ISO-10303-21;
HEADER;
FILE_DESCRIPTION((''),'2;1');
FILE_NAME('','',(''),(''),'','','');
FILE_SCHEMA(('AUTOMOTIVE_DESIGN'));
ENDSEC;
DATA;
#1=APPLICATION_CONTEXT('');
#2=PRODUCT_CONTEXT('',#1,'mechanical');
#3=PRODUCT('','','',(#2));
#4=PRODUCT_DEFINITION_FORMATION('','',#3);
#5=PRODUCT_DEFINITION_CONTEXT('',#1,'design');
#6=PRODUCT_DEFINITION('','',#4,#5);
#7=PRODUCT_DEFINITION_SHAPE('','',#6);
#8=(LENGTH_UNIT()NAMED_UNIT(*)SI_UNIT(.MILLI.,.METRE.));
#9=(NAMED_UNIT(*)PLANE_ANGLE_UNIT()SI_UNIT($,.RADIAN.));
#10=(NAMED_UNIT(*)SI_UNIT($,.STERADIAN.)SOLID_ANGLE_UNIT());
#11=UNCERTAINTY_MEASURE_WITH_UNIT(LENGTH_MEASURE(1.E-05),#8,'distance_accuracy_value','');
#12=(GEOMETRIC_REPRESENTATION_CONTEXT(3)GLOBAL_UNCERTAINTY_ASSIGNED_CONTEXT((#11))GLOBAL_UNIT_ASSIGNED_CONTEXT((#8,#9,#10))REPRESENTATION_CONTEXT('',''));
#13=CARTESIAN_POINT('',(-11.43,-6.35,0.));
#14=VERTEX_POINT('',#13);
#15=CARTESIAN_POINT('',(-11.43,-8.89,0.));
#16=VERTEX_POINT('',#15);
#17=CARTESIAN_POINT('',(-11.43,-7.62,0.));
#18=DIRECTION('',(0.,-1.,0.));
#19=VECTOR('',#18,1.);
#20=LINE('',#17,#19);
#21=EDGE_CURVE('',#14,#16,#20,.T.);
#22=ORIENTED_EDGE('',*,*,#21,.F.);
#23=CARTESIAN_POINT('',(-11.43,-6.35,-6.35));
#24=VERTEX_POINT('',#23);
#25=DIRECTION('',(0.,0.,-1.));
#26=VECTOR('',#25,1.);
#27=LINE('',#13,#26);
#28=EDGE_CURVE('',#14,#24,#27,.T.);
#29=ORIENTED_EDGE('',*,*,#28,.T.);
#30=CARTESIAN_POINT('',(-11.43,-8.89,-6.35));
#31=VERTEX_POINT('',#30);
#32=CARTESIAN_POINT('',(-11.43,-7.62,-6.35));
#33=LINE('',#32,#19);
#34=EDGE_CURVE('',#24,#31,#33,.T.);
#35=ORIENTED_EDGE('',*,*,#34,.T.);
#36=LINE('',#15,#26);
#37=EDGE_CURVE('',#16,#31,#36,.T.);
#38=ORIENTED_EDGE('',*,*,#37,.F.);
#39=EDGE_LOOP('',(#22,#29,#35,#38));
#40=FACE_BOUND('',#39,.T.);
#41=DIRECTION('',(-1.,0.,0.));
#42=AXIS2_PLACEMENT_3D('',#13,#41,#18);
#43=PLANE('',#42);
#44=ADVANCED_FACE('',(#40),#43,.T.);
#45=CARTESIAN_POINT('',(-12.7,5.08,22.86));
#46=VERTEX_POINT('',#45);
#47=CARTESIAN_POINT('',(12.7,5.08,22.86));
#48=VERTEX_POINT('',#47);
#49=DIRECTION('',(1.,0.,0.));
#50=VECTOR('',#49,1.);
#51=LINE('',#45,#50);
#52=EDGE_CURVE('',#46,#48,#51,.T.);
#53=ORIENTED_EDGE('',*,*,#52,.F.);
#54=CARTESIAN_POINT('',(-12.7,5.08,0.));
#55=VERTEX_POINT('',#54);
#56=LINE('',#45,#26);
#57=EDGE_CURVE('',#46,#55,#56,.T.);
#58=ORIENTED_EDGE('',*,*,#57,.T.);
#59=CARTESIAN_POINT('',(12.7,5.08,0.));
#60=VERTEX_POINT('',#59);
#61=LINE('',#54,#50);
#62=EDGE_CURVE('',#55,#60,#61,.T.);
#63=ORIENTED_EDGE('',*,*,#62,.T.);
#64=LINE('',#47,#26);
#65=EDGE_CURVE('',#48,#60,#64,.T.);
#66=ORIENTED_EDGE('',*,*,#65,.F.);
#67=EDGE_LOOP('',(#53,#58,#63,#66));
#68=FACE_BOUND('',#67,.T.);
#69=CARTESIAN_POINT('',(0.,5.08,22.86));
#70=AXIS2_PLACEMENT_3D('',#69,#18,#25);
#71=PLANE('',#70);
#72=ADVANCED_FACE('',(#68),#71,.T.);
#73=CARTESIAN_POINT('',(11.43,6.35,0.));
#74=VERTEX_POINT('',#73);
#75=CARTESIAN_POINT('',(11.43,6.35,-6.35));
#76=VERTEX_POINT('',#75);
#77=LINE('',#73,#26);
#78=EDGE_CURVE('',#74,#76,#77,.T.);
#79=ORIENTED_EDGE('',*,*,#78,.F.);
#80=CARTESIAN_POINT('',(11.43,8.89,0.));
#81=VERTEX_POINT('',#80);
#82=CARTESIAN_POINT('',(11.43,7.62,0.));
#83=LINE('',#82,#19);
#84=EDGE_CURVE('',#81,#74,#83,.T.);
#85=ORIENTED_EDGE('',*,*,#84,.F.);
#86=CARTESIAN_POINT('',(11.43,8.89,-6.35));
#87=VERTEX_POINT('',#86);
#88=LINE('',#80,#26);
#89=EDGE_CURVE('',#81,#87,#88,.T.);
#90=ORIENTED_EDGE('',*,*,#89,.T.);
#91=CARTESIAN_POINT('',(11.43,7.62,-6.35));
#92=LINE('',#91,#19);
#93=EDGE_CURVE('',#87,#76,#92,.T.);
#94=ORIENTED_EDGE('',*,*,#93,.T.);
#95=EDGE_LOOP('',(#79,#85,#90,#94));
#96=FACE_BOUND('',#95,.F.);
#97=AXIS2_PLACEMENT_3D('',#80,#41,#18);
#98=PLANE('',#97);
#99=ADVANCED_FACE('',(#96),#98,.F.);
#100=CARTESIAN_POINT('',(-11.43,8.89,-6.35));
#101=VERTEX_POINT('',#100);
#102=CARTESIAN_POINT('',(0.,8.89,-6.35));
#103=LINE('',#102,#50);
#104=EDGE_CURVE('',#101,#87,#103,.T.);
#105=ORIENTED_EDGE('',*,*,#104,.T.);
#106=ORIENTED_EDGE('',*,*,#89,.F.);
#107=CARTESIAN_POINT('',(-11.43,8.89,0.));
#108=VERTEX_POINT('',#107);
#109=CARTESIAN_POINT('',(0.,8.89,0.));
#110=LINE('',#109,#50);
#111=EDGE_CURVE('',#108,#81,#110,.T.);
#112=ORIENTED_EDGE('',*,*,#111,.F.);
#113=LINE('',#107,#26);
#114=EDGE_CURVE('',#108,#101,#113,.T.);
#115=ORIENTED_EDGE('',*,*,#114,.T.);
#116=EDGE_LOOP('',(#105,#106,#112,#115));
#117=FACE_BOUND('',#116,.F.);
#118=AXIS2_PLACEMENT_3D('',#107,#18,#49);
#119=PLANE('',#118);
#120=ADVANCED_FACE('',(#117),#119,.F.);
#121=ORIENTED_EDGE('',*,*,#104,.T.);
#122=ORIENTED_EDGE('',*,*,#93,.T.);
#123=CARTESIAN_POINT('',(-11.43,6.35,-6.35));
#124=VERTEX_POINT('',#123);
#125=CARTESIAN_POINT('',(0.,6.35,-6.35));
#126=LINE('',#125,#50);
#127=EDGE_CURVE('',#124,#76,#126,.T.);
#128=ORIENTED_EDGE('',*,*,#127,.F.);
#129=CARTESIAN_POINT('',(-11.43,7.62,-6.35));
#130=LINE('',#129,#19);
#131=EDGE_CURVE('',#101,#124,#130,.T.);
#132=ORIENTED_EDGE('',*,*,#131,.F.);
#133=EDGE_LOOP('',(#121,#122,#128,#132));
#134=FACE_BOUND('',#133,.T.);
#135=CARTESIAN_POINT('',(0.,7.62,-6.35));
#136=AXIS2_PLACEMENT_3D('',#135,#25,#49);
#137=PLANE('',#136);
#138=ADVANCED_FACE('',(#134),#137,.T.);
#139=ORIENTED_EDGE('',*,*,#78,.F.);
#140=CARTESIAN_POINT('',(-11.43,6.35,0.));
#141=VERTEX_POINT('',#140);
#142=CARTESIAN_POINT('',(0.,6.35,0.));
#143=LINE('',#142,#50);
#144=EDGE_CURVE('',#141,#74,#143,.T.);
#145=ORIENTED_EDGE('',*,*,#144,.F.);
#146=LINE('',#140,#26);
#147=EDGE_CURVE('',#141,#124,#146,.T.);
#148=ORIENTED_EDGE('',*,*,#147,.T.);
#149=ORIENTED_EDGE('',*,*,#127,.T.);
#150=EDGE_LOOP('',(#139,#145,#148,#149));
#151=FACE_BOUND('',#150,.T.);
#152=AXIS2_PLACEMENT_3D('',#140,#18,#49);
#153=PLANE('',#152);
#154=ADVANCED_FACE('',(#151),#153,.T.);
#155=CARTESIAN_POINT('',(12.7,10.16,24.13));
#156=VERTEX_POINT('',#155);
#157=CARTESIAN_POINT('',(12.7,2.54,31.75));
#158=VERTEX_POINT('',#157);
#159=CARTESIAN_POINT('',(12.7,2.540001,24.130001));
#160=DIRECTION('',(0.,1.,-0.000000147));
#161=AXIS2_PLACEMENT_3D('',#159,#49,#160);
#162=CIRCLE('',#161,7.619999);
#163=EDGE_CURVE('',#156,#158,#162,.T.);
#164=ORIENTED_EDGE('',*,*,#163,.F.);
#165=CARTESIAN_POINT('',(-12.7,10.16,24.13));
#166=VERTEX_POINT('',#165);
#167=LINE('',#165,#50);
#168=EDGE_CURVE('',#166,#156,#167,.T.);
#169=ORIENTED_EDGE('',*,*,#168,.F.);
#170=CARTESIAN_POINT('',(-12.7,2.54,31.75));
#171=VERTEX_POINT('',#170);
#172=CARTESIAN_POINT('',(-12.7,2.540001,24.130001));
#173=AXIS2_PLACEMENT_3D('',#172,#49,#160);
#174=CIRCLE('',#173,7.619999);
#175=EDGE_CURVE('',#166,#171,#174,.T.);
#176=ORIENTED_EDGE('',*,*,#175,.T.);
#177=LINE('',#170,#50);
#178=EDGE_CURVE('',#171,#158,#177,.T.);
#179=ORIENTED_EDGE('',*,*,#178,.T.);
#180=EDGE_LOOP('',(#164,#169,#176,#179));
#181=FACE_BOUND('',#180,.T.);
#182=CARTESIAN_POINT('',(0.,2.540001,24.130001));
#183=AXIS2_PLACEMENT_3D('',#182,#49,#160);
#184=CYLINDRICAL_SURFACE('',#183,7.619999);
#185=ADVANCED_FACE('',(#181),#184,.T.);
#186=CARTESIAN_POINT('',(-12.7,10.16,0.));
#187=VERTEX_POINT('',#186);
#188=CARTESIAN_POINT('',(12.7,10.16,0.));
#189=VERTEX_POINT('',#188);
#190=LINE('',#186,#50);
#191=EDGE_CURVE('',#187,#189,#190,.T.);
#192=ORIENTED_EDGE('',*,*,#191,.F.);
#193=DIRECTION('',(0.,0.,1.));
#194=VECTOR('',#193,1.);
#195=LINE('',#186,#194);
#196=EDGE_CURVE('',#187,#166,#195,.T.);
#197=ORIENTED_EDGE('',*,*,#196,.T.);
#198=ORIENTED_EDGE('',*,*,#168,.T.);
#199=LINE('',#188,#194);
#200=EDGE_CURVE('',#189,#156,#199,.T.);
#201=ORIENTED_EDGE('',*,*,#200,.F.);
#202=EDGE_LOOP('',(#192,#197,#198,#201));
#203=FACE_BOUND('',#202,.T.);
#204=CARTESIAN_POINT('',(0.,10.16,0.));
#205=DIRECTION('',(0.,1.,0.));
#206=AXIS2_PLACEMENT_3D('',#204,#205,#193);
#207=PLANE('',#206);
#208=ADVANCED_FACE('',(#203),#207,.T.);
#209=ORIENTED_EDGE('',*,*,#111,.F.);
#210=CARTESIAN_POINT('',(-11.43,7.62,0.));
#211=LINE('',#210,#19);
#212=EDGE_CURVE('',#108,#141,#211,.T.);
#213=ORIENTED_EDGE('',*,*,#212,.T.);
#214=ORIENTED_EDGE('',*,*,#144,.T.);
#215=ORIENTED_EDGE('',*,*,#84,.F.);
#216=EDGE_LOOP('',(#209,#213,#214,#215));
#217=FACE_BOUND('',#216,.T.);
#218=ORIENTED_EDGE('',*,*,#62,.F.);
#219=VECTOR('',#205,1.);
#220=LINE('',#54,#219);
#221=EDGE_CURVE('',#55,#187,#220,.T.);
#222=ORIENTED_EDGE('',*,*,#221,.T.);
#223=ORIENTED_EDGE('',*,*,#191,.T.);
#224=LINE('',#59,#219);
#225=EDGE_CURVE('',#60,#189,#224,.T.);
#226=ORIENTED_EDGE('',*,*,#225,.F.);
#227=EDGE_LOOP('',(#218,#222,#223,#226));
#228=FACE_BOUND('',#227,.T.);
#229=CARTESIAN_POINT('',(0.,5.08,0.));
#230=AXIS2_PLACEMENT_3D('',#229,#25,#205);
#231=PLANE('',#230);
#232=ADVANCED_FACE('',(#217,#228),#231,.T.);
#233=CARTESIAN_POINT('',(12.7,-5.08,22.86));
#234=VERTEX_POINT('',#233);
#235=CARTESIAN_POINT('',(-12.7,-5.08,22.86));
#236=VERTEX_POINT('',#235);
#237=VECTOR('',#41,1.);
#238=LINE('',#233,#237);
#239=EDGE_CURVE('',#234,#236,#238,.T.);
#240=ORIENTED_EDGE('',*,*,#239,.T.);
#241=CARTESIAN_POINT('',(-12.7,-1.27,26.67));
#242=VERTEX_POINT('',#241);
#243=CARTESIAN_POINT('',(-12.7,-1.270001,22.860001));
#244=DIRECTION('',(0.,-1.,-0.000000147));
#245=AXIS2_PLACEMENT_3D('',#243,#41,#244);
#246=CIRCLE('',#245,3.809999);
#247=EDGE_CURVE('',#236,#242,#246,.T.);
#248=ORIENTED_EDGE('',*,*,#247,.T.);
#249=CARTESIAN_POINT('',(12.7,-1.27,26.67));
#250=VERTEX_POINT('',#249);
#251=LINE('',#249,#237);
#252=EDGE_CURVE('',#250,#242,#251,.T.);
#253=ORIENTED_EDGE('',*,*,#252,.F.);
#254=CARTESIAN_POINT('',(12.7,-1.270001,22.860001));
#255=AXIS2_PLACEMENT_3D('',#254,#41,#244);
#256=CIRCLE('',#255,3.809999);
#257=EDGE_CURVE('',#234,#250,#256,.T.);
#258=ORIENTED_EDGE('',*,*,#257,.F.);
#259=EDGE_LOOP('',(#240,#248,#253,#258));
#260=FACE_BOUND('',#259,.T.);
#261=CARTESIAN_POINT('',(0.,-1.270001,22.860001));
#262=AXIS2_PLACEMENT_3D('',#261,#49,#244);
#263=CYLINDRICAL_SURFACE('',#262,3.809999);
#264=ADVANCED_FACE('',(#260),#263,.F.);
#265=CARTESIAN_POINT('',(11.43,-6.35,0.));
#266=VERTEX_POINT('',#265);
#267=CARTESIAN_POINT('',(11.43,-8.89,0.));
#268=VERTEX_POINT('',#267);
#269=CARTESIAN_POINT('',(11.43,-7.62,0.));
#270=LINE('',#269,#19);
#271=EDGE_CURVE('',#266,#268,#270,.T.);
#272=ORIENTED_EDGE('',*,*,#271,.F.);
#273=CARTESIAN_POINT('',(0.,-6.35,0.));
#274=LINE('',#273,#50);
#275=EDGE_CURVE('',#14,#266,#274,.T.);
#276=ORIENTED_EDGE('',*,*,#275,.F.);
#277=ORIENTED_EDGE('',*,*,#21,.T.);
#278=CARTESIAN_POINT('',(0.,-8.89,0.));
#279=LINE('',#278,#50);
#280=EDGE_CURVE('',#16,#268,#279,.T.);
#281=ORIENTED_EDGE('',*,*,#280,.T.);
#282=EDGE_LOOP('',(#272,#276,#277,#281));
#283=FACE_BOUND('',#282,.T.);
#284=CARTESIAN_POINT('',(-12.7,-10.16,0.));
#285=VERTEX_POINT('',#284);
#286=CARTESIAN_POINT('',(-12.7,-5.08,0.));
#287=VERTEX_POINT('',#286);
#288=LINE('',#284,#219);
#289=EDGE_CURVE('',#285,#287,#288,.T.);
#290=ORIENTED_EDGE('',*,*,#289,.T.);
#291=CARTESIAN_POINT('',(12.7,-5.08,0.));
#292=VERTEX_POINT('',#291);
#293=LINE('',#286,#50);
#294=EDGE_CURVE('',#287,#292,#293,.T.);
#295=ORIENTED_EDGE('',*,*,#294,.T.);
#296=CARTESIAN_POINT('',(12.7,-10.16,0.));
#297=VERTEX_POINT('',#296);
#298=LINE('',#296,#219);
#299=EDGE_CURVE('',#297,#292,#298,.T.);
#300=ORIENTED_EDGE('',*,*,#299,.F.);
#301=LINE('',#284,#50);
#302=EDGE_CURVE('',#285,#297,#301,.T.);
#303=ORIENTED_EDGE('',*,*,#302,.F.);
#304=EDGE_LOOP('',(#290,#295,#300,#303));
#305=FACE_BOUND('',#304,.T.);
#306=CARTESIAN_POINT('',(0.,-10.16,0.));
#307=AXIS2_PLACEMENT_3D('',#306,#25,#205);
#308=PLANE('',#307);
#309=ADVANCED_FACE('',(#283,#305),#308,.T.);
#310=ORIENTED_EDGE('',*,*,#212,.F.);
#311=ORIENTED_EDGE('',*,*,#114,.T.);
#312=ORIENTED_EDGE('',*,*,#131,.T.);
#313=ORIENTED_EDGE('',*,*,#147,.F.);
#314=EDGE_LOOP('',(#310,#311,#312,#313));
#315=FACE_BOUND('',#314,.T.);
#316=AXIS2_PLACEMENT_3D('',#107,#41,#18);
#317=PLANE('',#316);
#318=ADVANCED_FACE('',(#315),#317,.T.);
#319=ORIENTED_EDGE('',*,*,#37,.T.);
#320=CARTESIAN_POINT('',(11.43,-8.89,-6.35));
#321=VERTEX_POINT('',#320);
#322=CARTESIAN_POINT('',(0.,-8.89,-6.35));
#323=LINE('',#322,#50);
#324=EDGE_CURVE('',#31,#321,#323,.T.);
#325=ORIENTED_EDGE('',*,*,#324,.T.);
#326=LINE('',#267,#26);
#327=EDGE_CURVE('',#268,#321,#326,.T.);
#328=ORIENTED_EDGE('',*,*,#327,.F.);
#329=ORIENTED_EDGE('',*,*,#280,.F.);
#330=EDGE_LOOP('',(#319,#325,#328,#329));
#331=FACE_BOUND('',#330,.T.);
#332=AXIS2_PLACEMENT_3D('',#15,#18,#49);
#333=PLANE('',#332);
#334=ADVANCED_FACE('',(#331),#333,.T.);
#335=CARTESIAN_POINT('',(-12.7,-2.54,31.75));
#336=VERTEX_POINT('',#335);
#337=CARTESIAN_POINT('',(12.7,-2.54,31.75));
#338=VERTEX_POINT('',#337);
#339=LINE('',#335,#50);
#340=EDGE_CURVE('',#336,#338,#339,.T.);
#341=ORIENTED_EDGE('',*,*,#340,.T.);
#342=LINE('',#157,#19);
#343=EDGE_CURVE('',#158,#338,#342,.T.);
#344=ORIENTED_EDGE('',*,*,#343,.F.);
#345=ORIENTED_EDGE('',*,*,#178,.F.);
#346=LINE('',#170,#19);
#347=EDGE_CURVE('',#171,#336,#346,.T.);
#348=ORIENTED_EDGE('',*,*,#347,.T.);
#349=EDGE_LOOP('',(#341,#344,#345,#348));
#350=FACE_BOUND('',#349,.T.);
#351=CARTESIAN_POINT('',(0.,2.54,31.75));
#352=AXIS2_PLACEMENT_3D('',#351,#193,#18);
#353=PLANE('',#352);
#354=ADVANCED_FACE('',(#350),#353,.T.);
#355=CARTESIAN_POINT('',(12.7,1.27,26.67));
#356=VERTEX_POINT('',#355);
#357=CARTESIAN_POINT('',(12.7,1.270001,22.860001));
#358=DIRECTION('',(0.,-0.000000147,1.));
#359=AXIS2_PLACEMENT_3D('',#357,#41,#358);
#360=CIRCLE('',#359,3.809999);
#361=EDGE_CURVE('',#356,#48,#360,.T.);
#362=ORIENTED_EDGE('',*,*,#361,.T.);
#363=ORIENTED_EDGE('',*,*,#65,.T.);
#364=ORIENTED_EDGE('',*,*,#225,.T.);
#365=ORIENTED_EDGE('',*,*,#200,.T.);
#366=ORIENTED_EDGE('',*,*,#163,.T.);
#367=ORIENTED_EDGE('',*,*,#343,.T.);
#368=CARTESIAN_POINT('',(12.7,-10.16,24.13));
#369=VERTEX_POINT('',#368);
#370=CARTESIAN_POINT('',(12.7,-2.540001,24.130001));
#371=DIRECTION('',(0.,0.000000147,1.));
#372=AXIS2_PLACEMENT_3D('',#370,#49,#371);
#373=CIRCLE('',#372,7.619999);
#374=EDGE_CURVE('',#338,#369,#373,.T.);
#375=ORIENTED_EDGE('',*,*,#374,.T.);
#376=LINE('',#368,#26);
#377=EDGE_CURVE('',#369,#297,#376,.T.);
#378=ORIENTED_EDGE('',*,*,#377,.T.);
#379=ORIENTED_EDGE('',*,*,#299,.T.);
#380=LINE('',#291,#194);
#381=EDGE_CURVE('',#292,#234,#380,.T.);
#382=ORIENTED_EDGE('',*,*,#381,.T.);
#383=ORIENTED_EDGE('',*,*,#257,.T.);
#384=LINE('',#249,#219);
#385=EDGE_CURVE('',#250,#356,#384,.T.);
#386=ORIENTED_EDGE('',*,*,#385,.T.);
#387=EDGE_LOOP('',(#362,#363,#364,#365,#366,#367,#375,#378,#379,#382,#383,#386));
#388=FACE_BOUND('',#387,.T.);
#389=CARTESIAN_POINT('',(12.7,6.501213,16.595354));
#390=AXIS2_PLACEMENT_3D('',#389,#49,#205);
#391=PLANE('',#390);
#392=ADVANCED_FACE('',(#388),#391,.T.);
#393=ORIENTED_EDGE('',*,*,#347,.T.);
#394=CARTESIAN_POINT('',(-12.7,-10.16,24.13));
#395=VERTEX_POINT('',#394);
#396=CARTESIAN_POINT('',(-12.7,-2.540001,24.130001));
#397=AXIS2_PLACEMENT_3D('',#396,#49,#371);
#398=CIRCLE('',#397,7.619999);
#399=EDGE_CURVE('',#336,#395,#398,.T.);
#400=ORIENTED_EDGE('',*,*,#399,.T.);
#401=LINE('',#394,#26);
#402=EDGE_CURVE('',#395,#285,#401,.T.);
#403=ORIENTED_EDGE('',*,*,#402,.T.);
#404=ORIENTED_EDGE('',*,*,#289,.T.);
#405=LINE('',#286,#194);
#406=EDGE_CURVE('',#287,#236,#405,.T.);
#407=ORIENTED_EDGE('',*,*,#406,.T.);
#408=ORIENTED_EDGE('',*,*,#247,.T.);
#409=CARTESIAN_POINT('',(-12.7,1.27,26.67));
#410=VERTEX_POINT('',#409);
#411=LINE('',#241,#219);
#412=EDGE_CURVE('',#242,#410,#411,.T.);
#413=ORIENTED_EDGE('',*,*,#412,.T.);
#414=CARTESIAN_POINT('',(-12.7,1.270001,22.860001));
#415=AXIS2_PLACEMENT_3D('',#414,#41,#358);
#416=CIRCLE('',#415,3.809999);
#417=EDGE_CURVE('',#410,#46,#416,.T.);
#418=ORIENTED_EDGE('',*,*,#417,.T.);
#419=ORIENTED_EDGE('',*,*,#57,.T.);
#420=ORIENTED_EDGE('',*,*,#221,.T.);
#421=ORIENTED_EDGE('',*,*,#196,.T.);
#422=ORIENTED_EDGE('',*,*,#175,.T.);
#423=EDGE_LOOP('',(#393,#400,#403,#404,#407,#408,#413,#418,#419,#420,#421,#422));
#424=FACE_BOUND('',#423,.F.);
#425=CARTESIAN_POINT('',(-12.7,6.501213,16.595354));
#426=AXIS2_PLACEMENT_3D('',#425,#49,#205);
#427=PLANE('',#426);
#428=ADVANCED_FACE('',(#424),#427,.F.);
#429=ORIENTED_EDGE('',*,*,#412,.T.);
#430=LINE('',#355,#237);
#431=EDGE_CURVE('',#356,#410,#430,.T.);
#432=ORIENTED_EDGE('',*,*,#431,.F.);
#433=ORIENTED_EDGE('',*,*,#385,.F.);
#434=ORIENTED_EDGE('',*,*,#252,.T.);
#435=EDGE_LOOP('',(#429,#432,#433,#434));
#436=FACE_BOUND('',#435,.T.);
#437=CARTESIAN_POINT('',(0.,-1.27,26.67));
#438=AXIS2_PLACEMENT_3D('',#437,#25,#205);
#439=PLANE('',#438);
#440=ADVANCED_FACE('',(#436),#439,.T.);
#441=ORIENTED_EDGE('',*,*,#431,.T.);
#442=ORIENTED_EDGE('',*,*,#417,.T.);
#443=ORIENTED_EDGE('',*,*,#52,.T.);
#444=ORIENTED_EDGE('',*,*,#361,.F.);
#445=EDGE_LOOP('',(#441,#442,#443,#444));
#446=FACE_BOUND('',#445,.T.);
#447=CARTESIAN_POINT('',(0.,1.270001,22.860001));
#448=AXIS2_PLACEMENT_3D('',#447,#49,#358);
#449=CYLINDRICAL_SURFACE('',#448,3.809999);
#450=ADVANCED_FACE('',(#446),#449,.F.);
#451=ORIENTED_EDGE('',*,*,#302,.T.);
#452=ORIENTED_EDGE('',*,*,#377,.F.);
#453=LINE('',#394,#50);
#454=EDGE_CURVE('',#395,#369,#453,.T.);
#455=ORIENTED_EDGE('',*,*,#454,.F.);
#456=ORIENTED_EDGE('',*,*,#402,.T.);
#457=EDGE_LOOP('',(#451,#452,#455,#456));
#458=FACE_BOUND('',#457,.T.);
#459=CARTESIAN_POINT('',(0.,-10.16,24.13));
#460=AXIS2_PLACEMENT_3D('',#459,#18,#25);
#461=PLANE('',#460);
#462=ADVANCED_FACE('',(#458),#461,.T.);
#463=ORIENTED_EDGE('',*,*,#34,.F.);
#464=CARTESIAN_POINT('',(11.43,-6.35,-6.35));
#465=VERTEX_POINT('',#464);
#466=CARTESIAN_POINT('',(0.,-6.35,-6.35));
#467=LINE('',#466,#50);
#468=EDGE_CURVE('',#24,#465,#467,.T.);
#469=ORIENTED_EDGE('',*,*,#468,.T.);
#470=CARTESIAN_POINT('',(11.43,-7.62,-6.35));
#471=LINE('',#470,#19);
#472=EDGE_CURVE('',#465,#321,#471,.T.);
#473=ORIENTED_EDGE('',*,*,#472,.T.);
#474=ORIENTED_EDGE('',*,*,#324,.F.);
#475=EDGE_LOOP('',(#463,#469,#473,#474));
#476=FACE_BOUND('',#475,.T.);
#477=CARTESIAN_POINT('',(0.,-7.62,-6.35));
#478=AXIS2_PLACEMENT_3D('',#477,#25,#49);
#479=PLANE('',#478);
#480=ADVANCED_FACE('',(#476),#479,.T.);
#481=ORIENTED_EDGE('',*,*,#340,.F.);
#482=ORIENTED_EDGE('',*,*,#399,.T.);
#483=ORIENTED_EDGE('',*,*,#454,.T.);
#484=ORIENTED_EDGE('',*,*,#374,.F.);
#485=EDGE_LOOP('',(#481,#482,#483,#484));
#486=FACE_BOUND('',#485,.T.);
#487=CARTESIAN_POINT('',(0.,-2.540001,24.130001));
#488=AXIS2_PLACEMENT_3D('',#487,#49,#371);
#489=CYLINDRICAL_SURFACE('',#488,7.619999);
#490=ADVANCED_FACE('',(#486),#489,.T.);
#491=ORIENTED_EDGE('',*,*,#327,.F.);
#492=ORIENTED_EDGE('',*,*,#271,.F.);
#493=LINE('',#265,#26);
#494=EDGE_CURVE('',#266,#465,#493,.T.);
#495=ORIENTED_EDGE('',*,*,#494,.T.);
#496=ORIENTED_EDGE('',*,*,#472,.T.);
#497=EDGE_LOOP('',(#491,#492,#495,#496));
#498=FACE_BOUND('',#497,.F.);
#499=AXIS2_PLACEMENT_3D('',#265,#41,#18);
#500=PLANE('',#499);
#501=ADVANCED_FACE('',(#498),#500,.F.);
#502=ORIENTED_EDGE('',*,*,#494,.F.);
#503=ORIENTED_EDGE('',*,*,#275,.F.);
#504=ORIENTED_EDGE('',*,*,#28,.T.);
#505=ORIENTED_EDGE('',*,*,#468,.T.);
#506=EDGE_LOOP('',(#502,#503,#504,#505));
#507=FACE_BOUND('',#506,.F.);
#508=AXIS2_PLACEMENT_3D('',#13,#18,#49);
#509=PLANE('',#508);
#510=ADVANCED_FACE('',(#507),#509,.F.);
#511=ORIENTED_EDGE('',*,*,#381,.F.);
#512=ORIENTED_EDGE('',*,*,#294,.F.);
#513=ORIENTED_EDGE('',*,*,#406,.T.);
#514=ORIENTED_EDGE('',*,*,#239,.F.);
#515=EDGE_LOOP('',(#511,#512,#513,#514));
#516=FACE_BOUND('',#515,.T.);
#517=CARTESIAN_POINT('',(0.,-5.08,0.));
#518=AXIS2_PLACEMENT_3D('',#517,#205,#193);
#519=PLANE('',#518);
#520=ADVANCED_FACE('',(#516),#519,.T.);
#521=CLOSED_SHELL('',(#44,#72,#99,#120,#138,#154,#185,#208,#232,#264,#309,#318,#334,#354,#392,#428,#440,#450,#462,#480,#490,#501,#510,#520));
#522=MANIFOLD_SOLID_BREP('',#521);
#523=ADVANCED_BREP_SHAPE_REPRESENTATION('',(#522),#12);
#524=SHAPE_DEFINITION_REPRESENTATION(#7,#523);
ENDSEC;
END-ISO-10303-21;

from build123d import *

# Parameters (mm, degrees)
F1_DEPTH = 12.7
F2_W     = 22.86
F2_H     = 2.54
F3_DEPTH = 6.35


with BuildPart() as f1:
    # F0 (on Right) → F1 (new body, symmetric)
    with BuildSketch(Plane.YZ):
        with BuildLine():
            Line((0, 31.75), (0, 26.67))
            Line((0, 26.67), (1.27, 26.67))
            ThreePointArc((1.27, 26.67), (3.964077, 25.554077), (5.08, 22.86))
            Line((5.08, 22.86), (5.08, 0))
            Line((5.08, 0), (10.16, 0))
            Line((10.16, 0), (10.16, 24.13))
            ThreePointArc((10.16, 24.13), (7.928154, 29.518154), (2.54, 31.75))
            Line((2.54, 31.75), (0, 31.75))
        make_face()
        with BuildLine():
            Line((-1.27, 26.67), (0, 26.67))
            Line((0, 26.67), (0, 31.75))
            Line((0, 31.75), (-2.54, 31.75))
            ThreePointArc((-2.54, 31.75), (-7.928154, 29.518154), (-10.16, 24.13))
            Line((-10.16, 24.13), (-10.16, 0))
            Line((-10.16, 0), (-5.08, 0))
            Line((-5.08, 0), (-5.08, 22.86))
            ThreePointArc((-5.08, 22.86), (-3.964077, 25.554077), (-1.27, 26.67))
        make_face()
    extrude(amount=F1_DEPTH, both=True)

    # F2 (on face) → F3 (join)
    with BuildSketch(Plane(origin=(0, 0, 0), x_dir=(1, 0, 0), z_dir=(0, 0, -1))):
        with Locations((0, 7.62)):
            Rectangle(F2_W, F2_H)
        with Locations((0, -7.62)):
            Rectangle(F2_W, F2_H)
    extrude(amount=F3_DEPTH)


solid = f1.part
